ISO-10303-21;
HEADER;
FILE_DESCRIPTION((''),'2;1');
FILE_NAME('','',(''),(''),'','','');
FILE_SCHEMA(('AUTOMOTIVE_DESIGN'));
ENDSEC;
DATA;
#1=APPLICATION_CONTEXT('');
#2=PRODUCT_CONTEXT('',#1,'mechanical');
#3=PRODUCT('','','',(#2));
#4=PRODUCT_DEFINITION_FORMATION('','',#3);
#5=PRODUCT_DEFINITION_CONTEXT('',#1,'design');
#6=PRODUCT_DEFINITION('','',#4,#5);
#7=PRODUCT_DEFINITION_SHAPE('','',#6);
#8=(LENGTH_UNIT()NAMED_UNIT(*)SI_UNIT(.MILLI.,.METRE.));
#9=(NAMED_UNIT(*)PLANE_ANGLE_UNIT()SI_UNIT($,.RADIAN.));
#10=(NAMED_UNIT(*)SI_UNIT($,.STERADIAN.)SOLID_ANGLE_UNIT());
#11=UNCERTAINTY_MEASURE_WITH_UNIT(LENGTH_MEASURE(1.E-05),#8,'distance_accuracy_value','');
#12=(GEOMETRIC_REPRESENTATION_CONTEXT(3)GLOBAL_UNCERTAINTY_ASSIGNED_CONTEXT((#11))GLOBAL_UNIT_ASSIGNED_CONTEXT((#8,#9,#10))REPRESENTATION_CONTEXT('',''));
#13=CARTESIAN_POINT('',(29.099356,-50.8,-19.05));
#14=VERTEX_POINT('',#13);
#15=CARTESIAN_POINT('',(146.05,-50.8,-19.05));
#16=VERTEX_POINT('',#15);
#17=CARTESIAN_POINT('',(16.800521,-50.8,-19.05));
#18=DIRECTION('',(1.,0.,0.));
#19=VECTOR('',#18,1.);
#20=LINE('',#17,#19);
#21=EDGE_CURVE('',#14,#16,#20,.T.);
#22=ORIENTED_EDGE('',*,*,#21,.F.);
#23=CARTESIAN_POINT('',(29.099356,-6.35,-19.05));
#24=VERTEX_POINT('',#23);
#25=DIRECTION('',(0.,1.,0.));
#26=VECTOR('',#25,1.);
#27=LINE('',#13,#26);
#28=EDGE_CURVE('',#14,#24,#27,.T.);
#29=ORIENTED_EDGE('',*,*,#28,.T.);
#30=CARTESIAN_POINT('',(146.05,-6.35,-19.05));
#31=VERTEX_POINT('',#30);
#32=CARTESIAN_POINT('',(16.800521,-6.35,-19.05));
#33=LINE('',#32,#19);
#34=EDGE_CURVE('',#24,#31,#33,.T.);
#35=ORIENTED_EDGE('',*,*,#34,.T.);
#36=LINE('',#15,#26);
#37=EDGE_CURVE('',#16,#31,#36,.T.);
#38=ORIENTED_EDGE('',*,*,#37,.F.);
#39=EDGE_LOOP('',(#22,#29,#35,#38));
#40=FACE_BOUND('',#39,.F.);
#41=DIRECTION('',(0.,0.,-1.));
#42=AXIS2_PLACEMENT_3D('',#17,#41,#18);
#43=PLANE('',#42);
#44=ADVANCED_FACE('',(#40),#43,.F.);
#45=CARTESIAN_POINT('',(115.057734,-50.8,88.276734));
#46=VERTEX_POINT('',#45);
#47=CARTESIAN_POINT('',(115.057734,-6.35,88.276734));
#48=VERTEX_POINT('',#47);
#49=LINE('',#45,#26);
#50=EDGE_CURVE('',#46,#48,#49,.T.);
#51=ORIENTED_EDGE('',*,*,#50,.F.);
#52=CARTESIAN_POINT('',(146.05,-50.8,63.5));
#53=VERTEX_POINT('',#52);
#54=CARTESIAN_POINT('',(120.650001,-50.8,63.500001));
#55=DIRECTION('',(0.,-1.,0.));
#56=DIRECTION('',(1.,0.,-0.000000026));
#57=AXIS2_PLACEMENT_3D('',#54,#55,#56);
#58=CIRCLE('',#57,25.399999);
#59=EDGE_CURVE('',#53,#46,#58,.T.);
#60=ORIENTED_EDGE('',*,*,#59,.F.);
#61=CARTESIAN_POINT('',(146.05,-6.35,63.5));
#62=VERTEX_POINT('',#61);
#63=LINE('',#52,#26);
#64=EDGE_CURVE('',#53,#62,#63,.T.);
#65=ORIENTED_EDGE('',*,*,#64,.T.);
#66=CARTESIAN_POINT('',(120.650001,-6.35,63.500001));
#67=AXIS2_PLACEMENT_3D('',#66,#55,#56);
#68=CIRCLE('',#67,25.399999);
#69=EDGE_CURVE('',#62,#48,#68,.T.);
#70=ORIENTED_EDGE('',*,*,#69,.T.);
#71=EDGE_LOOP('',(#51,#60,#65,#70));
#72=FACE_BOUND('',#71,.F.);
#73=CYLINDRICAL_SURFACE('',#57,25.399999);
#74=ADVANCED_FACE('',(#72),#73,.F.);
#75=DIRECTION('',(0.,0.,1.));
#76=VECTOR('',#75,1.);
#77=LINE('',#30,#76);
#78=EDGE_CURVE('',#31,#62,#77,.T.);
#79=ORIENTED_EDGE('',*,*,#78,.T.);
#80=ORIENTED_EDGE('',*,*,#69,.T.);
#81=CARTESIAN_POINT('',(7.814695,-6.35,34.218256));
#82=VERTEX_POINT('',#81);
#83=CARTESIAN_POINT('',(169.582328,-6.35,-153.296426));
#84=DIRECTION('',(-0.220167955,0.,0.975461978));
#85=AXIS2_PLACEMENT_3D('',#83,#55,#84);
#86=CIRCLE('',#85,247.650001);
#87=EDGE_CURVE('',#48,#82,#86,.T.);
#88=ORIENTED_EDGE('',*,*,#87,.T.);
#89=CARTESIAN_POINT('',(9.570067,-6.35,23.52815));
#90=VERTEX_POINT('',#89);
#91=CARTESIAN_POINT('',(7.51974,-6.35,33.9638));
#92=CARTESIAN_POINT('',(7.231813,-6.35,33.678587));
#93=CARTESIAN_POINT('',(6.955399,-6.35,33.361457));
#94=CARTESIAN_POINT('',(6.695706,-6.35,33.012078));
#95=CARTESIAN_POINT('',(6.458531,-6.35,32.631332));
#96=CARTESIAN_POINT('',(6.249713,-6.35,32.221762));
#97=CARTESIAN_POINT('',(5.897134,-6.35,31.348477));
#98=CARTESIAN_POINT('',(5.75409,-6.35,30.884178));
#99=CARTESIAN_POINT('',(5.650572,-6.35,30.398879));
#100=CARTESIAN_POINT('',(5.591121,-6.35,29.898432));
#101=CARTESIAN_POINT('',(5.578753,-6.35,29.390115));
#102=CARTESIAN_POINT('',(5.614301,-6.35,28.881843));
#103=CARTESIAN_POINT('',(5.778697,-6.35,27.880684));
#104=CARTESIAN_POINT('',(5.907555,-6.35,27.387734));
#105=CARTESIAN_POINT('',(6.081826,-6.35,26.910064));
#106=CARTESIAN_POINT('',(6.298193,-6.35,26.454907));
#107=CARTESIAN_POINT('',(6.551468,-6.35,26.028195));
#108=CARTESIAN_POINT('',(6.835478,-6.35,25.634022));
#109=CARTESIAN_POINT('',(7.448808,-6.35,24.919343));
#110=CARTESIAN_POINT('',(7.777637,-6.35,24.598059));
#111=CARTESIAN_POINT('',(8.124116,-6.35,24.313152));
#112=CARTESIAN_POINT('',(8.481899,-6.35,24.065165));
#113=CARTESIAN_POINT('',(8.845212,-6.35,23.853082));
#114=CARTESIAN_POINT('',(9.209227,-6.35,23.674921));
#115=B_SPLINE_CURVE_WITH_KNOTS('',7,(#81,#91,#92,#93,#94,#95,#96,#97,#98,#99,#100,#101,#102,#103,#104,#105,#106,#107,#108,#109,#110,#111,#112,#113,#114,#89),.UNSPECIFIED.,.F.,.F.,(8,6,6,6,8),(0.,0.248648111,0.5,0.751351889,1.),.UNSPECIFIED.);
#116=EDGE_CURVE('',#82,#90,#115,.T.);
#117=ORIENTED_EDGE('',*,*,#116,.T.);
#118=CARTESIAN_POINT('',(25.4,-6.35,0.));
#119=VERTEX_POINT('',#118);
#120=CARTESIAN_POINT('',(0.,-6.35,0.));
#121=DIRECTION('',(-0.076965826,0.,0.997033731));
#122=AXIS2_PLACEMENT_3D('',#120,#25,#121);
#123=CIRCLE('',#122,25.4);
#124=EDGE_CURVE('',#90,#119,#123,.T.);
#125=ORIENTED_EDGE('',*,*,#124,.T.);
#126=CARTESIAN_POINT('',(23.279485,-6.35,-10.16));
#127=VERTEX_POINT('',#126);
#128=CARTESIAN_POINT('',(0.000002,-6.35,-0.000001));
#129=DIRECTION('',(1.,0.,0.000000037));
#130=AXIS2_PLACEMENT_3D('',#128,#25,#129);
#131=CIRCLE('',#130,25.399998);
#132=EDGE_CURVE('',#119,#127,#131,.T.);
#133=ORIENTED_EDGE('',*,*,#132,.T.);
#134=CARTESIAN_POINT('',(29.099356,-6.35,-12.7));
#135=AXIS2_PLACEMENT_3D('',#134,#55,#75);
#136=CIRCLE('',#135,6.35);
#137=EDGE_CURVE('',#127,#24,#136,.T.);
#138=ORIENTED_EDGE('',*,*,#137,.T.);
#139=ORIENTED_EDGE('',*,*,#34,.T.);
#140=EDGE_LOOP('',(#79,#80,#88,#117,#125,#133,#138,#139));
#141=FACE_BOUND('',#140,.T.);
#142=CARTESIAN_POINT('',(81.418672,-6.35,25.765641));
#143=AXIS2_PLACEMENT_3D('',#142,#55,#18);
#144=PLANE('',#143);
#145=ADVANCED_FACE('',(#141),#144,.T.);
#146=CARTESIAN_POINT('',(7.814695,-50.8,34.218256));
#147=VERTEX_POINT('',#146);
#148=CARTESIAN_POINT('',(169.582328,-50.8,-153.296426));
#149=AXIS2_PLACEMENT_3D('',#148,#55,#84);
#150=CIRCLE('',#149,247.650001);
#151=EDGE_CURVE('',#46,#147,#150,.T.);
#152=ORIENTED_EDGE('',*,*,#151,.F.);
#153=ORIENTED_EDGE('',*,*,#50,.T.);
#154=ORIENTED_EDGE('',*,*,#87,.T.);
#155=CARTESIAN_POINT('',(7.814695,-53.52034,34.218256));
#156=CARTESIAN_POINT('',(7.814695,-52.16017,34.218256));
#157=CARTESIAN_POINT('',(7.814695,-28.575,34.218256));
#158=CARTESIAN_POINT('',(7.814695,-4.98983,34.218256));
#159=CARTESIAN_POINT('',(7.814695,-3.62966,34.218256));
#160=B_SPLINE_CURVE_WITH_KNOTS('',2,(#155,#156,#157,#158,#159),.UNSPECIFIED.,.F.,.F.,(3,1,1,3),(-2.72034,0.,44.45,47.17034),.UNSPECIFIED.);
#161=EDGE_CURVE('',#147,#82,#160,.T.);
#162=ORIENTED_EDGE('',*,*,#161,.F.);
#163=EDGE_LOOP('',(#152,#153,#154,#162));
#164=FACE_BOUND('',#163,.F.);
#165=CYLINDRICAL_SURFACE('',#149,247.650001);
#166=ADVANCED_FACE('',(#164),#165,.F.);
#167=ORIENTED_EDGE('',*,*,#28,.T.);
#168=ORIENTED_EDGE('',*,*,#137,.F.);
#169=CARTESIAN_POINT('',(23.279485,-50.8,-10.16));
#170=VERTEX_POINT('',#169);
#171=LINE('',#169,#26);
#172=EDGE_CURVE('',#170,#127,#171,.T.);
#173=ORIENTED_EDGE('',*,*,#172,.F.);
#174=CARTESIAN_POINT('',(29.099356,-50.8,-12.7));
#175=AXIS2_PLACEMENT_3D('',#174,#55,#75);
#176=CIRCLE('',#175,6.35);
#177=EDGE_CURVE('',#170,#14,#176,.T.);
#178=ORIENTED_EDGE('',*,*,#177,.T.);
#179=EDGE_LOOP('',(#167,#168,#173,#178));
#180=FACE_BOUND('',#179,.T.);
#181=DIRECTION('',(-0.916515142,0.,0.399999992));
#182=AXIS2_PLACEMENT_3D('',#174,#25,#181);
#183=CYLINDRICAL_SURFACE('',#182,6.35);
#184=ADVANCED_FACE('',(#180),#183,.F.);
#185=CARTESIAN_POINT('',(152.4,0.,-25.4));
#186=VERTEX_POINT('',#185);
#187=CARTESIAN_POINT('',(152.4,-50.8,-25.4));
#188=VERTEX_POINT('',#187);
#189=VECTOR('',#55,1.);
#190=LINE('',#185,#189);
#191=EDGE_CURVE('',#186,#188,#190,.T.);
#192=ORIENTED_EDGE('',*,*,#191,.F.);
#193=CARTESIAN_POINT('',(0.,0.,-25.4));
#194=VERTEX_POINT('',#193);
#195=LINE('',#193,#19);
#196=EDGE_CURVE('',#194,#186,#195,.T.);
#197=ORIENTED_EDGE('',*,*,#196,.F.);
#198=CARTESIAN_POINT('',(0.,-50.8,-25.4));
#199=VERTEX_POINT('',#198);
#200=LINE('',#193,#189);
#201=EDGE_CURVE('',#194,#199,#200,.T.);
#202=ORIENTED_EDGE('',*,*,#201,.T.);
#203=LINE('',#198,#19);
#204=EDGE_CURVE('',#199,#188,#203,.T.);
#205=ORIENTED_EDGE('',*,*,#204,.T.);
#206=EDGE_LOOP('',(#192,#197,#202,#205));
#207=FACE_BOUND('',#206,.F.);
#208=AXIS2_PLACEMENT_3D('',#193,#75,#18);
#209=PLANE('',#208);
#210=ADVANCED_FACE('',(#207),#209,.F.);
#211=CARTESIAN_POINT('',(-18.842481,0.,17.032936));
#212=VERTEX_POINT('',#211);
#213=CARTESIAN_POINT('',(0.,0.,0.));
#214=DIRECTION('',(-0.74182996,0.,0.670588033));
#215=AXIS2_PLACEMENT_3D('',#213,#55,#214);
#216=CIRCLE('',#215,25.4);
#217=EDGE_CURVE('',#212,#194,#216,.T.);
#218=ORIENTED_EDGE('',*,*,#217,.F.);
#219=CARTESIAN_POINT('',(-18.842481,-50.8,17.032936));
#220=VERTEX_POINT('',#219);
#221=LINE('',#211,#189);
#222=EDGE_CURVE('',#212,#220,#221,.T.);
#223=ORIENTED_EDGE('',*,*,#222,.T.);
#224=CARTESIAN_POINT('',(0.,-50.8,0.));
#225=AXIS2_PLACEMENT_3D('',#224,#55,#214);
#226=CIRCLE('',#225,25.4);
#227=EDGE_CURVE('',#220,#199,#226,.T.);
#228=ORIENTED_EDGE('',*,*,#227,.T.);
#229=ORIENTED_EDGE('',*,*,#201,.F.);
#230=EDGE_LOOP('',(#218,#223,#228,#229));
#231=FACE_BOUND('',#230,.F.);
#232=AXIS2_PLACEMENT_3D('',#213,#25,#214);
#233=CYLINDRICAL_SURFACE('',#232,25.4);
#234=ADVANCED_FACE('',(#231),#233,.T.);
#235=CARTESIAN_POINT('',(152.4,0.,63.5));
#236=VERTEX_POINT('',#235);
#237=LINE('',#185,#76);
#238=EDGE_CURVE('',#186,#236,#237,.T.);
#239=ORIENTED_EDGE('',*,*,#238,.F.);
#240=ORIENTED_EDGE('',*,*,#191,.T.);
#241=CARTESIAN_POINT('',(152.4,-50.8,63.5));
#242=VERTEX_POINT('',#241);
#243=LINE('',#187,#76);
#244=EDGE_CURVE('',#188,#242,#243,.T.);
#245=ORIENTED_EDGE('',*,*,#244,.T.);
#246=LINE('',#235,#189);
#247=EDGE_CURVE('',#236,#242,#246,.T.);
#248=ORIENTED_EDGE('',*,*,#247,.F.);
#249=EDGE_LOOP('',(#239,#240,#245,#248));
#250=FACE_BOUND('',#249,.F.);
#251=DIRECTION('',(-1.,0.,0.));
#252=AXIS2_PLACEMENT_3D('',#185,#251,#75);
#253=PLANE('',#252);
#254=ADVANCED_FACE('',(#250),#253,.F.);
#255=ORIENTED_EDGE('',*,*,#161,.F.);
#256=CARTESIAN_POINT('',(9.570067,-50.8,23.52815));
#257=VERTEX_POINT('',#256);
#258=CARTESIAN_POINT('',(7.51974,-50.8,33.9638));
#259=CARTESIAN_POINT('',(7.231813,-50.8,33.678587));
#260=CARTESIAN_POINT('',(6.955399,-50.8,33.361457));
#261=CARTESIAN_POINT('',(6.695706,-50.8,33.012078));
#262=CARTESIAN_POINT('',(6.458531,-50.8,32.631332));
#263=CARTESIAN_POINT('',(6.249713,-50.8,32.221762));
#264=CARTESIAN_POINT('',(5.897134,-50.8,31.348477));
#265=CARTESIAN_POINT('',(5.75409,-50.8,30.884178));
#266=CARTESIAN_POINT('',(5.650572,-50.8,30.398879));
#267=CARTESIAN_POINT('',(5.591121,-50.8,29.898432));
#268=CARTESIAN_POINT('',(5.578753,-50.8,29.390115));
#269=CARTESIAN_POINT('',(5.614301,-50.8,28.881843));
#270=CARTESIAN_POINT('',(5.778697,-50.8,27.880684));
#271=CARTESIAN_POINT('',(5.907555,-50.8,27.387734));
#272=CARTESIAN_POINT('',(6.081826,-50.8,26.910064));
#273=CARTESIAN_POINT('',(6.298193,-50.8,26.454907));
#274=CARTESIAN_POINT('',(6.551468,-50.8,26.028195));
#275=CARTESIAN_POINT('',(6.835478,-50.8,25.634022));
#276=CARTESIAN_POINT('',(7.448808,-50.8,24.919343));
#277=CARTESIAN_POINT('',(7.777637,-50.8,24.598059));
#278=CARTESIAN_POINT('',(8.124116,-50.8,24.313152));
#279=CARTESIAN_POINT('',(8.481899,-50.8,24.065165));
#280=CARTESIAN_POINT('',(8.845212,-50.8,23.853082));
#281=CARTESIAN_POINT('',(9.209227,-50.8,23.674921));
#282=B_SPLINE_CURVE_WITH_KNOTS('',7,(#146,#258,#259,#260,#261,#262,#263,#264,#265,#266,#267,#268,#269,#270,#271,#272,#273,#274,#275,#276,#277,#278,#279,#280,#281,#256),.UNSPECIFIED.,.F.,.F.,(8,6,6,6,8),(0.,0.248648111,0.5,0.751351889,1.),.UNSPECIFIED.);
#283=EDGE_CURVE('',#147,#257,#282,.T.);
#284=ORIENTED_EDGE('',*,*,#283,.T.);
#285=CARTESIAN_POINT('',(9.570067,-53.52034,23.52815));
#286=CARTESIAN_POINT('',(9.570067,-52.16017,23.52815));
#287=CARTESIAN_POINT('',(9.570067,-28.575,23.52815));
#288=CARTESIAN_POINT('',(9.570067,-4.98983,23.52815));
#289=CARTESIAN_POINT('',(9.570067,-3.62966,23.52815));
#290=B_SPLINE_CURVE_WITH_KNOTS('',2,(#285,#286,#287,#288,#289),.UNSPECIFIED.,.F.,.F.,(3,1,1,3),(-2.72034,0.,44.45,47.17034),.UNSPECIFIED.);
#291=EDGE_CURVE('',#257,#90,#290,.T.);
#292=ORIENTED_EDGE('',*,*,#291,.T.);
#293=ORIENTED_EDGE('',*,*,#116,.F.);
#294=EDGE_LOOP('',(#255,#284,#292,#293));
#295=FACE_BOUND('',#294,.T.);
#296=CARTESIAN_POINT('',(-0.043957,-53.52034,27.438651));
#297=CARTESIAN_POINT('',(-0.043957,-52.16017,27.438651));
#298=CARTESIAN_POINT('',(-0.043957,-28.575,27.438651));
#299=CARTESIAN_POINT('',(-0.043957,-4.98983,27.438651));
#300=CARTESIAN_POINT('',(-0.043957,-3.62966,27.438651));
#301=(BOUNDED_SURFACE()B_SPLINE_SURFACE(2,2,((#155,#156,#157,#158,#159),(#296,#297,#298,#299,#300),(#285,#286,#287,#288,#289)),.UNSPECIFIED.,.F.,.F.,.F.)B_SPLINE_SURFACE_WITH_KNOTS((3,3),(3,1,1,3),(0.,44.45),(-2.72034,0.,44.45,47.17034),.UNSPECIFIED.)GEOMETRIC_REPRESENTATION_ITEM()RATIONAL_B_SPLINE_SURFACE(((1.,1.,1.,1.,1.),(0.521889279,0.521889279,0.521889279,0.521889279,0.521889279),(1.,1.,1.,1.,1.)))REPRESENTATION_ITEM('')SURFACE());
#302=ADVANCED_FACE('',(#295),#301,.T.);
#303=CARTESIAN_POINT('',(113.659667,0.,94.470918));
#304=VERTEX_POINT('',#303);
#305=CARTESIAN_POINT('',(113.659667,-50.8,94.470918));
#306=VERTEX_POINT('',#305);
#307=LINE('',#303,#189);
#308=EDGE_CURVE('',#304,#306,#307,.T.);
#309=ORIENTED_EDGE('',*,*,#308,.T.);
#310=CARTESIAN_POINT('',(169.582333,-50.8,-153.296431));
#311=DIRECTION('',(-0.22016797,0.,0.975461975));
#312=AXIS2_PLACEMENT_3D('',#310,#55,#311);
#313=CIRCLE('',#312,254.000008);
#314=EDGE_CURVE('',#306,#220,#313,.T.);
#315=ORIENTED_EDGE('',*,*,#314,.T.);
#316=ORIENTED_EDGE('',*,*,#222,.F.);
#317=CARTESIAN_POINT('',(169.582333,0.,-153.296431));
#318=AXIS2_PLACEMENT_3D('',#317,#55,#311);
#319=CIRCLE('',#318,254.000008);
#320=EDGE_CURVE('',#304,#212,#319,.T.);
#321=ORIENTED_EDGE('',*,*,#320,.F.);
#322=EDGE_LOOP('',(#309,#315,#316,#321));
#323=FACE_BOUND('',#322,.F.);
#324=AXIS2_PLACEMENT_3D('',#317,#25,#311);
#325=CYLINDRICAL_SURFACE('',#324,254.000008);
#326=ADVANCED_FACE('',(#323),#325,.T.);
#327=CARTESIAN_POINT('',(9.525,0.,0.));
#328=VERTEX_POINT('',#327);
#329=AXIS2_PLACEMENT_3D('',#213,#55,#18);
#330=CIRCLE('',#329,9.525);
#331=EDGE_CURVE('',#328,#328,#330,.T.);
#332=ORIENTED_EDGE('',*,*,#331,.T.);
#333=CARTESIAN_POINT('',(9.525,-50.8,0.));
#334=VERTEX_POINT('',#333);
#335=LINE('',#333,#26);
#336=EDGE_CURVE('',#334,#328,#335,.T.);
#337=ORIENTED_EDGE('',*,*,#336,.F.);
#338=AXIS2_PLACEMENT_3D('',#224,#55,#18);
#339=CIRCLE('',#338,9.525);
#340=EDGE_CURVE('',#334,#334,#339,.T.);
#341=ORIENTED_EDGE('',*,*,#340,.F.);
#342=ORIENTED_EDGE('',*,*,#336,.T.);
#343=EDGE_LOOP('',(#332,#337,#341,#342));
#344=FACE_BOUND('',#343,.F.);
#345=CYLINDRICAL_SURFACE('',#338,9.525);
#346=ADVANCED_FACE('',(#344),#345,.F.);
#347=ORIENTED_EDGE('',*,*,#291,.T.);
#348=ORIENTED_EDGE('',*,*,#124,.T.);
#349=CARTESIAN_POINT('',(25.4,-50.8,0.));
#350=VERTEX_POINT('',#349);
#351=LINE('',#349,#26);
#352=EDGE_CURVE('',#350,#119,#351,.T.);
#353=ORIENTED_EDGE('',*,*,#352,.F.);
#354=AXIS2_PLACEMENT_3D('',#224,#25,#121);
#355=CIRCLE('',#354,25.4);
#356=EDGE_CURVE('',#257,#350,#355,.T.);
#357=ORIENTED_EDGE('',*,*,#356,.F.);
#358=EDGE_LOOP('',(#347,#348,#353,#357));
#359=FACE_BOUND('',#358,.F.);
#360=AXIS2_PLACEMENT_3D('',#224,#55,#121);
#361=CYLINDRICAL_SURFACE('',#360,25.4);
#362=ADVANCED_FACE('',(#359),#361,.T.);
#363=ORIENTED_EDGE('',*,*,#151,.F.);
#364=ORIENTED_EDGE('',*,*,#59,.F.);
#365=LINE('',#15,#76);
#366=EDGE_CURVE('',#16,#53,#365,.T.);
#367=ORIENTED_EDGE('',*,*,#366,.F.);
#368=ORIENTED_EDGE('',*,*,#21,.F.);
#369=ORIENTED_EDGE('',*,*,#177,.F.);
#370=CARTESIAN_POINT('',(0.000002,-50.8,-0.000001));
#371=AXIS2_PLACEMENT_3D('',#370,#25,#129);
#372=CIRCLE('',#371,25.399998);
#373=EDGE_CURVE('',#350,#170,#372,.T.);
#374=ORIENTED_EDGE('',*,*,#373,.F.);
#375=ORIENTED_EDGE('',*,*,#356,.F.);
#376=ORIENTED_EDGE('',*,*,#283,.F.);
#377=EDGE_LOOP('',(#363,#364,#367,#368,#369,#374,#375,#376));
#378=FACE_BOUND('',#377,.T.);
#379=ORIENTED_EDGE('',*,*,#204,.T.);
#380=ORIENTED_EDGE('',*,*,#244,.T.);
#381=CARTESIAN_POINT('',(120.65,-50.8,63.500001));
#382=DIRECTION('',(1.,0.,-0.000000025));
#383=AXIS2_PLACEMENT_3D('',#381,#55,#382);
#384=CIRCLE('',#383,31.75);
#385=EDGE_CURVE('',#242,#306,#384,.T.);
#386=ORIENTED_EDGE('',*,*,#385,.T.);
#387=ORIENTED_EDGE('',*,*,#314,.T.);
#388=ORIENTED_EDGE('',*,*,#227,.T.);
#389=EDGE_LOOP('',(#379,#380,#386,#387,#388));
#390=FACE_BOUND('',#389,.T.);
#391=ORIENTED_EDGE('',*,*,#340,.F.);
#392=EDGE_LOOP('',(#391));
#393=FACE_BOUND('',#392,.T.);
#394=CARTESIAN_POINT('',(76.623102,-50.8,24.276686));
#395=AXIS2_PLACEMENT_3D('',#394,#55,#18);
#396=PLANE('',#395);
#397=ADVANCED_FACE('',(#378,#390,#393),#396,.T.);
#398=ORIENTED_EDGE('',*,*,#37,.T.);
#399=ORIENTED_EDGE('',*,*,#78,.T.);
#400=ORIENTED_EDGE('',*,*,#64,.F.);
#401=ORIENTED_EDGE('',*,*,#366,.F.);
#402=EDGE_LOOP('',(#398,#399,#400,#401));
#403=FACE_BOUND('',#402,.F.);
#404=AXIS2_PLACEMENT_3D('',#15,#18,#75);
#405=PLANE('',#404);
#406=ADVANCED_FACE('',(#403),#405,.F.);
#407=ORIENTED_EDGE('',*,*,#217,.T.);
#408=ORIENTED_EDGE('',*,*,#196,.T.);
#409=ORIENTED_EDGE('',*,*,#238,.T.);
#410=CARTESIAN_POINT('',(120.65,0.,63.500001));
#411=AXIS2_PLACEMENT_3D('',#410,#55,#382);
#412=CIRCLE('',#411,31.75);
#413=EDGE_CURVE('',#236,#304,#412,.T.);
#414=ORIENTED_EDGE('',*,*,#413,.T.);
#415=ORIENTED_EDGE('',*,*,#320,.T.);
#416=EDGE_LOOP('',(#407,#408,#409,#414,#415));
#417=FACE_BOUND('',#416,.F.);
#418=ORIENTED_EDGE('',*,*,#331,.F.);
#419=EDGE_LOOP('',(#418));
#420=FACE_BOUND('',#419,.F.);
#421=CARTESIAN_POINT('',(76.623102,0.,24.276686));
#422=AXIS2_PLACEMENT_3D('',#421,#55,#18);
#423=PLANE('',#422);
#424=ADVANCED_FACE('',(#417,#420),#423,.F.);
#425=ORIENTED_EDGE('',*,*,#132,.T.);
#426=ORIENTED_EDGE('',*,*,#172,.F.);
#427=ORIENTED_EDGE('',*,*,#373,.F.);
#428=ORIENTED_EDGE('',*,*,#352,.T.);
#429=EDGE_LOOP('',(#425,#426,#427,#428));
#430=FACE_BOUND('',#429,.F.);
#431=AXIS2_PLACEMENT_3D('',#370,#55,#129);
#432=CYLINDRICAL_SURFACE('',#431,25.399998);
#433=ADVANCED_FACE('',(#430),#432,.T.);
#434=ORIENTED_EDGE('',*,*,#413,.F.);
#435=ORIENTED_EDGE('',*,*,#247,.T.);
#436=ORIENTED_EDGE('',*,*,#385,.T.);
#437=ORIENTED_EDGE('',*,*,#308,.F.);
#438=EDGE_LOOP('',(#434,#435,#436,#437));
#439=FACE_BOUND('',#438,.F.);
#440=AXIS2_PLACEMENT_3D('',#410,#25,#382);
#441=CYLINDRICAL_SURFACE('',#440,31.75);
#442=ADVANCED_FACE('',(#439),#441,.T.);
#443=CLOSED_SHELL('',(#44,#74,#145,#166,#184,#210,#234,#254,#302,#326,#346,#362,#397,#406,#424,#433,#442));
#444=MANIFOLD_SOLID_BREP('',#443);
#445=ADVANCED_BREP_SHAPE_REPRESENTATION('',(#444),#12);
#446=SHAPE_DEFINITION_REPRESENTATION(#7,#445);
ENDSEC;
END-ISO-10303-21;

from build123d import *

# Parameters (mm, degrees)
F1_DEPTH = 50.8
F3_DEPTH = 44.45
F4_R     = 9.525
F5_DEPTH = 50.801
F6_R     = 6.35


with BuildPart() as f1:
    # F0 (on Front) → F1 (new body)
    with BuildSketch(Plane.XZ):
        with BuildLine():
            ThreePointArc((-18.842481, 17.032936), (9.125815, 23.703998), (25.4, 0))
            ThreePointArc((25.4, 0), (17.960512, -17.960512), (0, -25.4))
            Line((0, -25.4), (152.4, -25.4))
            Line((152.4, -25.4), (152.4, 63.5))
            ThreePointArc((152.4, 63.5), (100.824266, 38.70075), (113.659667, 94.470918))
            ThreePointArc((113.659667, 94.470918), (41.420002, 65.998851), (-18.842481, 17.032936))
        make_face()
        with BuildLine():
            ThreePointArc((152.4, 63.5), (140.475734, 88.29925), (113.659667, 94.470918))
            ThreePointArc((113.659667, 94.470918), (100.824266, 38.70075), (152.4, 63.5))
        make_face()
        with BuildLine():
            ThreePointArc((0, -25.4), (17.960512, -17.960512), (25.4, 0))
            ThreePointArc((25.4, 0), (9.125815, 23.703998), (-18.842481, 17.032936))
            ThreePointArc((-18.842481, 17.032936), (-23.214183, -10.308332), (0, -25.4))
        make_face()
    extrude(amount=F1_DEPTH)

    # F2 (on face) → F3 (cut)
    with BuildSketch(Plane.XZ.offset(50.8)):
        with BuildLine():
            ThreePointArc((115.057734, 88.276734), (52.250613, 64.79482), (-1.954932, 25.324657))
            ThreePointArc((-1.954932, 25.324657), (17.255503, 18.638874), (25.4, 0))
            ThreePointArc((25.4, 0), (23.150521, -10.450521), (16.800521, -19.05))
            Line((16.800521, -19.05), (146.05, -19.05))
            Line((146.05, -19.05), (146.05, 63.5))
            ThreePointArc((146.05, 63.5), (136.510587, 83.3394), (115.057734, 88.276734))
        make_face()
    extrude(amount=-F3_DEPTH, mode=Mode.SUBTRACT)

    # F4 (on face) → F5 (cut, through all)
    with BuildSketch(Plane.XZ.offset(50.8)):
        Circle(F4_R)
    extrude(amount=-F5_DEPTH, mode=Mode.SUBTRACT)

    # F6
    f6_edges = [f1.edges().sort_by_distance(p)[0] for p in [
        (16.800521, -28.575, -19.05),
        (-1.954932, -28.575, 25.324657),
    ]]
    fillet(f6_edges, radius=F6_R)


solid = f1.part
